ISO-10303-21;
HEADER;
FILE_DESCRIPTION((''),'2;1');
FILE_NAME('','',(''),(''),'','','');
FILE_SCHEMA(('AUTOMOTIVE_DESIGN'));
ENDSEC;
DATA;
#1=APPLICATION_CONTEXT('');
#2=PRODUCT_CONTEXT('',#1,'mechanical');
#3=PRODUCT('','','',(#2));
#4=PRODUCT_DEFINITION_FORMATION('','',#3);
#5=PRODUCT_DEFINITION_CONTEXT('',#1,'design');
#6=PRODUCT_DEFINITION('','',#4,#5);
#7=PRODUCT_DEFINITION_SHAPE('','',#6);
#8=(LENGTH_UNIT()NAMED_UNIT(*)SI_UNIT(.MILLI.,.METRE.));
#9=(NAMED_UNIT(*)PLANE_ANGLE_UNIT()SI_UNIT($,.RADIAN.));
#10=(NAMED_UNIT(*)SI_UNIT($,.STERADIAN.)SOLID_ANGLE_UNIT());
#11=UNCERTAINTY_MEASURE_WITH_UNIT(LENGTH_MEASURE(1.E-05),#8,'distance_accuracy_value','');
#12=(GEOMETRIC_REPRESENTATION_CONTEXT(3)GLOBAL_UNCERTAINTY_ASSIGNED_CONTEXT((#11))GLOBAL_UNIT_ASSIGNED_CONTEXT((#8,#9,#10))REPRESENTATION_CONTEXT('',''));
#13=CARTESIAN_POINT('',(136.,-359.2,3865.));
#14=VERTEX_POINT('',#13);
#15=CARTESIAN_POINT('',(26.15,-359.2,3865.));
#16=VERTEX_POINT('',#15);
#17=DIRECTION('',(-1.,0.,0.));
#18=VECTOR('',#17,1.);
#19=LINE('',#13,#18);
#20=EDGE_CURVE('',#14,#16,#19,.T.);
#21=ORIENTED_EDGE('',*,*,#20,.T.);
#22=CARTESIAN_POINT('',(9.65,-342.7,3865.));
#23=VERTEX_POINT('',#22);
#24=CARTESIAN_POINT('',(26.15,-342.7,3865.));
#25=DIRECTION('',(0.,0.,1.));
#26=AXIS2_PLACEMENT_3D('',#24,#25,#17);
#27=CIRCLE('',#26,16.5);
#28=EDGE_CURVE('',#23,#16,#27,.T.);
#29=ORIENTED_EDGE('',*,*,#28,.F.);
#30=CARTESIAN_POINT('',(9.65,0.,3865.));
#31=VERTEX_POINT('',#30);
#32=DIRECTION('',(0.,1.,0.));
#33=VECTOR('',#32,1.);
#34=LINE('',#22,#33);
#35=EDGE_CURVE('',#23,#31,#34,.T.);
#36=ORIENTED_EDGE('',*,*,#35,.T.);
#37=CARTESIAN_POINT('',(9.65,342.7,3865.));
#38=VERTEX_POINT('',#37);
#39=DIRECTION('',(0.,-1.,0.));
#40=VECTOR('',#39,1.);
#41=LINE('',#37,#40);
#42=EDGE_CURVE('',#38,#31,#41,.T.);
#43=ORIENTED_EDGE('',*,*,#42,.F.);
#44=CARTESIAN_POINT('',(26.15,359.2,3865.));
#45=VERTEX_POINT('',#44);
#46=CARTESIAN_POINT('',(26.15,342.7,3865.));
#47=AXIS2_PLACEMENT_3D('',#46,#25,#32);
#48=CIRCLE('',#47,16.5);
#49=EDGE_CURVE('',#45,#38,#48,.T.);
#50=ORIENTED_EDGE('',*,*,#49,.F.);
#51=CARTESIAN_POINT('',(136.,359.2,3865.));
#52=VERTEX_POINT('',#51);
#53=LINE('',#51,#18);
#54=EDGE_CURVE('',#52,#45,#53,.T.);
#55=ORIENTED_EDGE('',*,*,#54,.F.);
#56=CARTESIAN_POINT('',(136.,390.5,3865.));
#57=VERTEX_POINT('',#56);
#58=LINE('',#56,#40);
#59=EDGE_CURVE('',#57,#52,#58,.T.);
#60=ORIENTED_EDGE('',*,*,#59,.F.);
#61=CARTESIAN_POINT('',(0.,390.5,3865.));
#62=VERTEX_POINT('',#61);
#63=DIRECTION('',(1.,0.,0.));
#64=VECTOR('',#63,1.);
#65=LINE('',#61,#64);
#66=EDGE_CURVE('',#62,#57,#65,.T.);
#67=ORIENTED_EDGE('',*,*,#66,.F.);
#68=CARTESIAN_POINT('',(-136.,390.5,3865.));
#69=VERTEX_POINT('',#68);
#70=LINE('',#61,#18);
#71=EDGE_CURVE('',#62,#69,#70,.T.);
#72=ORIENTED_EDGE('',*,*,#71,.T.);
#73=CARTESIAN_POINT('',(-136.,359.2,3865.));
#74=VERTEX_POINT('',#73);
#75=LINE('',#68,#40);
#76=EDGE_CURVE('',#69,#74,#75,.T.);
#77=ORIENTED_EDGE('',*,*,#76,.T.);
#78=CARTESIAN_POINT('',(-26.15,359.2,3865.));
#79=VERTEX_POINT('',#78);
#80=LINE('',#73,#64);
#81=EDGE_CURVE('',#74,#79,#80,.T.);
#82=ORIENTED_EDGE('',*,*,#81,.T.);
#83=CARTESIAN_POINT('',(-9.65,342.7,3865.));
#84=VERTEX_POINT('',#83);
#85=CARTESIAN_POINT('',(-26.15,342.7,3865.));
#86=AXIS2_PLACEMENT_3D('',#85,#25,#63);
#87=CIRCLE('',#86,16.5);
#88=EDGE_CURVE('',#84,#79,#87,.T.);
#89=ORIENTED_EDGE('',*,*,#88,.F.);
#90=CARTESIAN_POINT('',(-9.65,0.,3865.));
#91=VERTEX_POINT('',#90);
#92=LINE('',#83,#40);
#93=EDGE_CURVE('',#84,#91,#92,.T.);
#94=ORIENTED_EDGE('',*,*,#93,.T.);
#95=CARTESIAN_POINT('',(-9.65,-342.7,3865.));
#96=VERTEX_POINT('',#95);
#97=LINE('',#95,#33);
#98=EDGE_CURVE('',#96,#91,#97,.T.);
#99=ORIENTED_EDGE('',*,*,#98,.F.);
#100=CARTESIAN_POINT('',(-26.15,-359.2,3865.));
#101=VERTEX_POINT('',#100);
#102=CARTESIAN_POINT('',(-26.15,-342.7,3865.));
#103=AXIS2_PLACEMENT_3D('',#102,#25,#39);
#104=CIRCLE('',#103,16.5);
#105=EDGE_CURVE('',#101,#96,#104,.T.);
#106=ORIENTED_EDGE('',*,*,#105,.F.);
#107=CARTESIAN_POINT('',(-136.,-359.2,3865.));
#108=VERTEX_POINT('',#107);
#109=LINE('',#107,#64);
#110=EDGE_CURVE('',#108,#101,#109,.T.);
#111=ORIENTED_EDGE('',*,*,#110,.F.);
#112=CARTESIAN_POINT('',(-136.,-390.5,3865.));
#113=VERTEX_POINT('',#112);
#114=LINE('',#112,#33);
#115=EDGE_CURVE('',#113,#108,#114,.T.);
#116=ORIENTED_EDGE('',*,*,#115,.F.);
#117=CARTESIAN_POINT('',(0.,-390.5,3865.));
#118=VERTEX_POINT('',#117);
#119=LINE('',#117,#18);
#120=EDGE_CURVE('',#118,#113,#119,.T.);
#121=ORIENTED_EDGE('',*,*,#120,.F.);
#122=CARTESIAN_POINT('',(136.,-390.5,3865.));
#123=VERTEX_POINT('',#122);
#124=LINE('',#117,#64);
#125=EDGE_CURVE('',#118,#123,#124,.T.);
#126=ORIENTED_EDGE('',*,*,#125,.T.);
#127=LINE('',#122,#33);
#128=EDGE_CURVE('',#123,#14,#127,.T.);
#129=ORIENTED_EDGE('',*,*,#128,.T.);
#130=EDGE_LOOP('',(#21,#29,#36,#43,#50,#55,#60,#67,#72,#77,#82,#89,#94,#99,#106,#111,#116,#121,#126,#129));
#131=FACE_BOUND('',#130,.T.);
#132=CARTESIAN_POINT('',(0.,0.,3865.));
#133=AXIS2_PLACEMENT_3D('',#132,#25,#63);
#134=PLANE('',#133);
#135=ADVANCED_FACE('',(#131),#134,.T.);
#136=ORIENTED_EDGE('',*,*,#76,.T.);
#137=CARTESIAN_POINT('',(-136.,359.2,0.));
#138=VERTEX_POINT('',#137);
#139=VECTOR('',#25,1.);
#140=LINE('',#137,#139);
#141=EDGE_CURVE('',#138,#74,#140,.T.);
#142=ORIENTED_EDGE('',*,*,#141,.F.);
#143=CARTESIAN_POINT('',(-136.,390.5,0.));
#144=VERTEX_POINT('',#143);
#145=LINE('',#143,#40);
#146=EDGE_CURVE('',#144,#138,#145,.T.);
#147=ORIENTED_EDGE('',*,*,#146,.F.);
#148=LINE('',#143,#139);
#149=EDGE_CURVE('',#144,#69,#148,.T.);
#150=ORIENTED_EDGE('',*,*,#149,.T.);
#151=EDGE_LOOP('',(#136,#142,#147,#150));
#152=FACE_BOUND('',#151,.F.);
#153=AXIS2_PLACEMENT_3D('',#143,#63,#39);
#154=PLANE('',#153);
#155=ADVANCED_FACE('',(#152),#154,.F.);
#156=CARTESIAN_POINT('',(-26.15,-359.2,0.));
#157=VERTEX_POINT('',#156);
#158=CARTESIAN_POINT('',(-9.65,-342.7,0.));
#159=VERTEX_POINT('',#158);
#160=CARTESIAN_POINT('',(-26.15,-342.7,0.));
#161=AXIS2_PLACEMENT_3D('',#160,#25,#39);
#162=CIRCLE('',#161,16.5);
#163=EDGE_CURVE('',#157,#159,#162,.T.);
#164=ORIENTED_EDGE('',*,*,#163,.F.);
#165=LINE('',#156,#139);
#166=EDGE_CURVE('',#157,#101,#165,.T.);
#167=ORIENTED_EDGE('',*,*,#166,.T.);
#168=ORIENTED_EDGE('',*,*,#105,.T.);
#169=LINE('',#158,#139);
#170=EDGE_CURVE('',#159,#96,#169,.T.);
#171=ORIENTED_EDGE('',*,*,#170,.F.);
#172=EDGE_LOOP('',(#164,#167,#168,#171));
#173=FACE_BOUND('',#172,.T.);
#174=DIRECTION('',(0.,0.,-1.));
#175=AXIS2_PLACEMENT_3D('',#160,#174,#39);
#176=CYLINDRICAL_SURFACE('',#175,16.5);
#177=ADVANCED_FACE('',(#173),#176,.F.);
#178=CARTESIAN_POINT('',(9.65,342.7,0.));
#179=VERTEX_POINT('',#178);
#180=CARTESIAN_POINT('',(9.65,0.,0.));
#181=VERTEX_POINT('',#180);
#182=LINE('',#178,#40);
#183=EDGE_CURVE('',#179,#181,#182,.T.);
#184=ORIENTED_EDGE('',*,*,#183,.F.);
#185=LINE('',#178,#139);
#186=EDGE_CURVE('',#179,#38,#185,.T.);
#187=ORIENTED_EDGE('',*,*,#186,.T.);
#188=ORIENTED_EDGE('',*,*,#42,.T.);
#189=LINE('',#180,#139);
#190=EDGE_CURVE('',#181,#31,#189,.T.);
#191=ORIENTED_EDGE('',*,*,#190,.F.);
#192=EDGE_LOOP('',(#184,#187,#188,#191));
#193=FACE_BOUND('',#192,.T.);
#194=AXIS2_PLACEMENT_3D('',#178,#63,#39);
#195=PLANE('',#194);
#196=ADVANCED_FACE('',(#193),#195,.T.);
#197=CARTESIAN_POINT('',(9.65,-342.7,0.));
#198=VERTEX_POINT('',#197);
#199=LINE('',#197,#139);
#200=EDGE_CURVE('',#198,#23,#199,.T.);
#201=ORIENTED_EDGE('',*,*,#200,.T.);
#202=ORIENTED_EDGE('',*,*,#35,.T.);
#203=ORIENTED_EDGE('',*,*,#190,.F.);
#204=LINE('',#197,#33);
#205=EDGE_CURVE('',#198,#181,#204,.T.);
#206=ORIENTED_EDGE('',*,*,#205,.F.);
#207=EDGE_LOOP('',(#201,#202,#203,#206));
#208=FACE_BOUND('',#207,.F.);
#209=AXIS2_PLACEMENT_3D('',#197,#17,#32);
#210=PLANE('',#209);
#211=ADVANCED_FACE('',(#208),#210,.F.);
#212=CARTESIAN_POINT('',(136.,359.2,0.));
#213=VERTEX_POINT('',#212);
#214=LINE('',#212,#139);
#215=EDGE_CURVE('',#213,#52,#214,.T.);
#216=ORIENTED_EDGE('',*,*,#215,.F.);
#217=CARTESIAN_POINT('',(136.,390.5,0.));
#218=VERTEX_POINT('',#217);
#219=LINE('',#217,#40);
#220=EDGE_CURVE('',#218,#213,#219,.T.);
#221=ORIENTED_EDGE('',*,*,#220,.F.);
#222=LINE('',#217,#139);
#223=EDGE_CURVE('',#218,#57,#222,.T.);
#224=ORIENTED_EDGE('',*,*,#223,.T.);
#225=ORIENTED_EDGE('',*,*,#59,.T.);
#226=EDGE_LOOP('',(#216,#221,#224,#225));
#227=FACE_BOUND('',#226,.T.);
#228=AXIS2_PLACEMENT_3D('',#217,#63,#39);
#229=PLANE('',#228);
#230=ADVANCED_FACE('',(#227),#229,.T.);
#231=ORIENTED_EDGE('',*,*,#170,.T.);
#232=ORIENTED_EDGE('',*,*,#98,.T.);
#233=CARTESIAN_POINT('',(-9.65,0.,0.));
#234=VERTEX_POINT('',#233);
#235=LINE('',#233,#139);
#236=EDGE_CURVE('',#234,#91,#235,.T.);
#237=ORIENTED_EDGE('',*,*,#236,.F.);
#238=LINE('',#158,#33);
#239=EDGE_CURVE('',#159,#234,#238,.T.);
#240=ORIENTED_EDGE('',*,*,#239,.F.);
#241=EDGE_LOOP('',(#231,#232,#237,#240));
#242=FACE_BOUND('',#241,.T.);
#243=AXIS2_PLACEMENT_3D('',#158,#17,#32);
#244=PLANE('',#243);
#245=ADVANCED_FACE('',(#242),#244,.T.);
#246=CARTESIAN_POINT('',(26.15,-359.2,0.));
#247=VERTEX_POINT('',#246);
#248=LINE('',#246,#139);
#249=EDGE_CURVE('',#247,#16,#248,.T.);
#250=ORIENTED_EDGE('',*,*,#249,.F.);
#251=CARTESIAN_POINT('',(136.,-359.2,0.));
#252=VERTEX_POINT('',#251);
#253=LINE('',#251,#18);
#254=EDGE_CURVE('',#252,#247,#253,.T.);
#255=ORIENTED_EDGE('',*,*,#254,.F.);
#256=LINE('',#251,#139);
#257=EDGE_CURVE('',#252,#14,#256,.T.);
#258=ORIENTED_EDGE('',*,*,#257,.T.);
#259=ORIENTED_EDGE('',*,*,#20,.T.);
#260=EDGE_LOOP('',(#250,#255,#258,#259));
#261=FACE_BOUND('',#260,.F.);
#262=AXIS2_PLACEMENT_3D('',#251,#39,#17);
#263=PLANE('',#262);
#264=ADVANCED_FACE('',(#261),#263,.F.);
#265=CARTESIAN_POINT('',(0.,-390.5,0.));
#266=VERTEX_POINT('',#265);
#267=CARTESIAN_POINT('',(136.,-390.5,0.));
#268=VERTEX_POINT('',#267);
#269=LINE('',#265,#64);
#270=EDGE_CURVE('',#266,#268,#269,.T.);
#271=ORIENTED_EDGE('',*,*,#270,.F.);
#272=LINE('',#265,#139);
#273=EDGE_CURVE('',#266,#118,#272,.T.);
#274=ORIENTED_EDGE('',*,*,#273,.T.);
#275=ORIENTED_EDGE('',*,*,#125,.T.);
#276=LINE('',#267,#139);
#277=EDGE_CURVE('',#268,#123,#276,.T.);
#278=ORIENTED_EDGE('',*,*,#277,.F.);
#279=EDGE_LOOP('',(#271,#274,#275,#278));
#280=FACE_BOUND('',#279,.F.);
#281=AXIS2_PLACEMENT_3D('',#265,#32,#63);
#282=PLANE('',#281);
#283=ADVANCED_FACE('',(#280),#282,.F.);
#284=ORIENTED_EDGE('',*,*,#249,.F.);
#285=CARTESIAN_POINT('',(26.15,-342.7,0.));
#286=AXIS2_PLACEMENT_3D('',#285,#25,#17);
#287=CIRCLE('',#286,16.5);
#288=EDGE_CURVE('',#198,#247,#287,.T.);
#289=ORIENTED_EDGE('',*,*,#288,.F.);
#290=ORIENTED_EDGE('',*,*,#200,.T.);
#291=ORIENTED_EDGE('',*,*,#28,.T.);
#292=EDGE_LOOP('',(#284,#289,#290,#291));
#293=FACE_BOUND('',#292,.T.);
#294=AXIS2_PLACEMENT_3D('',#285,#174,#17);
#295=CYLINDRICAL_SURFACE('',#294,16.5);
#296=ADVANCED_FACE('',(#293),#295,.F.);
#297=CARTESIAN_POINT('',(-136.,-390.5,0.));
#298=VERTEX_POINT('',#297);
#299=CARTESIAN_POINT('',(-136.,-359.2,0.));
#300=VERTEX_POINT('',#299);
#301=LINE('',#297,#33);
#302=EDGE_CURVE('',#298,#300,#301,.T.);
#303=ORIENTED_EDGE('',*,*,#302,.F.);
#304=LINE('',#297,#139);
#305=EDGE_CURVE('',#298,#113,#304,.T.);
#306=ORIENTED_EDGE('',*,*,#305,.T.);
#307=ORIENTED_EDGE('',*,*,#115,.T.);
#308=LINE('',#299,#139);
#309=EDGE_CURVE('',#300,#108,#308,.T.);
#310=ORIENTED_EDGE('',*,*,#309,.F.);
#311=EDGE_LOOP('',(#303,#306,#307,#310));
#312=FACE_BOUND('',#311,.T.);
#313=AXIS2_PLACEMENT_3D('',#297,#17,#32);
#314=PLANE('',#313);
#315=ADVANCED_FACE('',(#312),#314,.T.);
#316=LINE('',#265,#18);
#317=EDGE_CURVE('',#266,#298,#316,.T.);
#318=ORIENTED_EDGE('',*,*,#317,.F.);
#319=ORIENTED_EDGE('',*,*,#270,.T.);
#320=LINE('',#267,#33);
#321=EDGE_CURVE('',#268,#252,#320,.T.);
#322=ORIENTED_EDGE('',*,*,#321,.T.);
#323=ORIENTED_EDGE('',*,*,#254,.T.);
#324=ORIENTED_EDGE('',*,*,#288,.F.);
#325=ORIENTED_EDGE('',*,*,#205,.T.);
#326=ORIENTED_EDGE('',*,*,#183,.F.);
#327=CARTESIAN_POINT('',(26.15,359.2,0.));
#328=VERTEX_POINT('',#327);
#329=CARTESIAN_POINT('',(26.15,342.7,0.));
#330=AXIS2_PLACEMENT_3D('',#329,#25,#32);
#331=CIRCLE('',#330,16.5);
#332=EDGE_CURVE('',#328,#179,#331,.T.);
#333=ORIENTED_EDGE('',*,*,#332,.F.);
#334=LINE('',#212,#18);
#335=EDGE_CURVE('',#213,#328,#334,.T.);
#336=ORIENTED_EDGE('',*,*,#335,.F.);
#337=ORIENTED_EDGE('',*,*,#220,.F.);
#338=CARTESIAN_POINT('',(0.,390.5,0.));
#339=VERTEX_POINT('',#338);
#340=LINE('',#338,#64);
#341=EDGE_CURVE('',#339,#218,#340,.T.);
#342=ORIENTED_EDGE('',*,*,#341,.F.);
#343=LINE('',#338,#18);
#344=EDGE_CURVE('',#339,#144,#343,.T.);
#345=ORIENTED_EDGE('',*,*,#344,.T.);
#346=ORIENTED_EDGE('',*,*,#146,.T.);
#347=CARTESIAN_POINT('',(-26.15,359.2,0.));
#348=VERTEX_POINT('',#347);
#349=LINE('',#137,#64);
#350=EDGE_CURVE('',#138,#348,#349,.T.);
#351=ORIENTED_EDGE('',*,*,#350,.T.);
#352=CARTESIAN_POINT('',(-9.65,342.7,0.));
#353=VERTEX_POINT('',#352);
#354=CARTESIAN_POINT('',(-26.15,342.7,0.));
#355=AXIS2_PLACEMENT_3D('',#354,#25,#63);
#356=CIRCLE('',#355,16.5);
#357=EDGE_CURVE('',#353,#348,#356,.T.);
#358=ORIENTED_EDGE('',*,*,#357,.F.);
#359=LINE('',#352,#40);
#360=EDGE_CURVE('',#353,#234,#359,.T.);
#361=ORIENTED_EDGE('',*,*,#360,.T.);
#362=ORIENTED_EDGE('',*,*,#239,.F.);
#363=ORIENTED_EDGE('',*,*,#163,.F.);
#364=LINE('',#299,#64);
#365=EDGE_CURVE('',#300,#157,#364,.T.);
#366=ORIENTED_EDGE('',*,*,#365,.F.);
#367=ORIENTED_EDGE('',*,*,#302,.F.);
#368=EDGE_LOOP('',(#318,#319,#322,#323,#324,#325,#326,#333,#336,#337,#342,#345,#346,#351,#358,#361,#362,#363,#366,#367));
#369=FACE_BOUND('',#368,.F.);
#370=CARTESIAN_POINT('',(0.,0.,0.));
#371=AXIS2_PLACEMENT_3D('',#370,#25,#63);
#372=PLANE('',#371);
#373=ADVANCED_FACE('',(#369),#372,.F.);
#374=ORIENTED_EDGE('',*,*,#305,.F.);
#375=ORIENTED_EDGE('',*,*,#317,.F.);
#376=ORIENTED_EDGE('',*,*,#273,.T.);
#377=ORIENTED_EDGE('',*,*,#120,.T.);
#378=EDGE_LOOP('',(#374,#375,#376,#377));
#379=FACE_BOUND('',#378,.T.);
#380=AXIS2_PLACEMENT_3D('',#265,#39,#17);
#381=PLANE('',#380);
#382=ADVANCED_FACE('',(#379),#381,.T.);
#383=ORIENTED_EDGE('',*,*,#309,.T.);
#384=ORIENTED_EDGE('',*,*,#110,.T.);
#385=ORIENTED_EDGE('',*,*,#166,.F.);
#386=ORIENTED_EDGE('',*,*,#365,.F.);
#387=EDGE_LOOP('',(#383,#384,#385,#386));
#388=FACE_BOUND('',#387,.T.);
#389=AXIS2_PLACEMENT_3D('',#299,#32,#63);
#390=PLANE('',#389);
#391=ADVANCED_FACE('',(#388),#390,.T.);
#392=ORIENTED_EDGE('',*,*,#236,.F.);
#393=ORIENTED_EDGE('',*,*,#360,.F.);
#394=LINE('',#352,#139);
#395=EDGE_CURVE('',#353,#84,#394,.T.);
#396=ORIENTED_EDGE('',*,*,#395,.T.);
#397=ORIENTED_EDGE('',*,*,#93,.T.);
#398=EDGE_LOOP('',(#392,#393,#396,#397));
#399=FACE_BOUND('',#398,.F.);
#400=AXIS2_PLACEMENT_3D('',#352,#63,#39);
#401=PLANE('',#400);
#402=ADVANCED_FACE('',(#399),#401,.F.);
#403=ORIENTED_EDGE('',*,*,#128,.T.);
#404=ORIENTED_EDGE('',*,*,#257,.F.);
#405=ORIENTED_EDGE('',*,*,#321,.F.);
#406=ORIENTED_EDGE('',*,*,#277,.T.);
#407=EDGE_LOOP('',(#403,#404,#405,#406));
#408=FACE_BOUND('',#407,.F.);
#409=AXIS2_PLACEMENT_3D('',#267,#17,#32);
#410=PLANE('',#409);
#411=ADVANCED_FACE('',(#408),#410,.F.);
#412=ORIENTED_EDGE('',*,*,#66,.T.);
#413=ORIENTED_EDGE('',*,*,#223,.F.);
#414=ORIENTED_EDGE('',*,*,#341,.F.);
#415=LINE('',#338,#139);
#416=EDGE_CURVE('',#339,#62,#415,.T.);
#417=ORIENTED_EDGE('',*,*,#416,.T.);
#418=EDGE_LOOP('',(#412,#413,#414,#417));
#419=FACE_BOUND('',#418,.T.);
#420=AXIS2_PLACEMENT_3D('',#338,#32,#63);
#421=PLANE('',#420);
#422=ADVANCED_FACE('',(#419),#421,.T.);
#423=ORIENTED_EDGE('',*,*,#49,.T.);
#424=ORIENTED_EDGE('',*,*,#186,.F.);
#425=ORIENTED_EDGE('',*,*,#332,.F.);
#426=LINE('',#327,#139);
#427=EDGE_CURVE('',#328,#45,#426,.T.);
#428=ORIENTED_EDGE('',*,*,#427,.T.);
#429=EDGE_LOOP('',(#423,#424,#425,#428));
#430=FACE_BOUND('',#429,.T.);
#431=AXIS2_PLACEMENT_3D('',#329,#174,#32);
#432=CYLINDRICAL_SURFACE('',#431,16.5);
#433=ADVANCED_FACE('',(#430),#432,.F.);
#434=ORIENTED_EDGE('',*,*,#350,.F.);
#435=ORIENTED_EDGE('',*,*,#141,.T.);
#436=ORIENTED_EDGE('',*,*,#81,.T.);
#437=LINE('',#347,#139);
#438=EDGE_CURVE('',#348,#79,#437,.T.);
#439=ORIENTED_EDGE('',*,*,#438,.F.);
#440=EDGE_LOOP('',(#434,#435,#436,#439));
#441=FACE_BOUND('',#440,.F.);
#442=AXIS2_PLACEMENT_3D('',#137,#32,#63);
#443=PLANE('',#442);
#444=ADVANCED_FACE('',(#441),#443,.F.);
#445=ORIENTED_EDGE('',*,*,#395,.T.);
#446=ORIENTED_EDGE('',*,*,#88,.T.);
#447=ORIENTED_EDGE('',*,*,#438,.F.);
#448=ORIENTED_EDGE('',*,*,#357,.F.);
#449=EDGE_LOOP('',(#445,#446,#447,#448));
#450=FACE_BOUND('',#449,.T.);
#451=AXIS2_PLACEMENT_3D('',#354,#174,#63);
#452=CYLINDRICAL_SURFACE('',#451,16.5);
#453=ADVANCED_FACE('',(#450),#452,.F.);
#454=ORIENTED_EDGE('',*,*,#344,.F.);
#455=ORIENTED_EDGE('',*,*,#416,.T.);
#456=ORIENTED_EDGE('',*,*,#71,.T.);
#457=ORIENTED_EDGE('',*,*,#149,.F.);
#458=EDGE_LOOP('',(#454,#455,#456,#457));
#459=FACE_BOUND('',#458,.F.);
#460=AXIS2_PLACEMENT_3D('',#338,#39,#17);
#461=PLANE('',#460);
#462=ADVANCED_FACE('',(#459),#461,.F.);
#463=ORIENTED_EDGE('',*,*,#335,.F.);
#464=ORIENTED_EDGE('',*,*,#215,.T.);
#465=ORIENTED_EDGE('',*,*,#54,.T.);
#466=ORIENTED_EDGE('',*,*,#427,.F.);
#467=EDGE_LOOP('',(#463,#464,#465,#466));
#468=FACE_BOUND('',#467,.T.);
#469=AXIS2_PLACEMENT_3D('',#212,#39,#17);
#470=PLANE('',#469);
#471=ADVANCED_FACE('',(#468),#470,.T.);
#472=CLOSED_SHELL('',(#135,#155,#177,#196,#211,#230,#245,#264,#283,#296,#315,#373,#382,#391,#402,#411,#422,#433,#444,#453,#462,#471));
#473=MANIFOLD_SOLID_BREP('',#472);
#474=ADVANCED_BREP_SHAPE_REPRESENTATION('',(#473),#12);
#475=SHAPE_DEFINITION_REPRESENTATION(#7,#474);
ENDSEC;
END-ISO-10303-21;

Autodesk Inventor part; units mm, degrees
ref_plane "YZ Plane" through (0, 0, 0) normal (1, 0, 0) x (0, 1, 0)
ref_plane "Start plane" through (0, 0, 0) normal (0, 0, 1) x (1, 0, 0)
ref_plane "End plane" through (0, 0, 3865) normal (0, 0, 1) x (1, 0, 0)
sketch "Sketch" plane through (0, 0, 0) normal (0, 0, 1) x (1, 0, 0)
  line L0 (-136, -390.5) -> (-136, -359.2)
  line L1 (-136, -359.2) -> (-26.15, -359.2)
  line L2 (-9.65, -342.7) -> (-9.65, 0)
  line L3 (-9.65, 0) -> (0, 0) construction
  line L4 (0, 0) -> (0, -390.5) construction
  line L5 (0, -390.5) -> (-136, -390.5)
  line L6 (-60, 0) -> (80, 0) construction
  line L7 (0, -60) -> (0, 80) construction
  line L8 (136, -390.5) -> (136, -359.2)
  line L9 (136, -359.2) -> (26.15, -359.2)
  line L10 (9.65, -342.7) -> (9.65, 0)
  line L11 (9.65, 0) -> (0, 0) construction
  line L12 (0, -390.5) -> (136, -390.5)
  line L13 (-136, 390.5) -> (-136, 359.2)
  line L14 (-136, 359.2) -> (-26.15, 359.2)
  line L15 (-9.65, 342.7) -> (-9.65, 0)
  line L16 (0, 390.5) -> (-136, 390.5)
  line L17 (136, 390.5) -> (136, 359.2)
  line L18 (136, 359.2) -> (26.15, 359.2)
  line L19 (0, 390.5) -> (136, 390.5)
  line L20 (9.65, 342.7) -> (9.65, 0)
  arc A0 (-9.65, 342.7) -> (-26.15, 359.2) centre (-26.15, 342.7) ccw
  arc A1 (26.15, 359.2) -> (9.65, 342.7) centre (26.15, 342.7) ccw
  arc A2 (9.65, -342.7) -> (26.15, -359.2) centre (26.15, -342.7) ccw
  arc A3 (-26.15, -359.2) -> (-9.65, -342.7) centre (-26.15, -342.7) ccw
  line L21 (0, 108) -> (0, -88) construction
  line L22 (-88, 0) -> (108, 0) construction
  point P0 (-9.65, -359.2)
  point P1 (9.65, -359.2)
  point P2 (-9.65, 359.2)
  point P3 (9.65, 359.2)
  dimension "d1" = 390.5
  dimension "d2" = 31.3
  dimension "d3" = 136
  dimension "d4" = 9.65
  dimension "d10" = 16.5
extrude "Body" add sketch "Sketch" along normal up to surface (3865 mm away) from surface at 0
sketch "Sketch4" plane through (0, 0, 0) normal (0, 0, 1) x (1, 0, 0)
  line L0 (0, 0) -> (10, 0)
ref_plane "Work Plane3" through (0, 0, 0) normal (0, -1, 0) x (1, 0, 0)
sketch "Sketch5" plane through (0, 0, 0) normal (0, -1, 0) x (1, 0, 0)
  line L0 (-2, 0) -> (12, 0) projected
  line L1 (-2, 3865) -> (12, 3865) projected
  dimension "d14" = 3865
equation "\"d1\" = 0.5 * G_H"
equation "\"d2\" = G_T1"
equation "\"d3\" = 0.5 * G_W"
equation "\"d4\" = 0.5 * G_T"
equation "\"d10\" = G_IR"
equation "\"d5\" = G_L"
equation "\"G_W\" = 272"
equation "\"G_H\" = 781"
equation "\"G_T\" = 19.3"
equation "\"G_T1\" = 31.3"
equation "\"G_IR\" = 16.5"
equation "\"G_L\" = d14"
equation "\"G_OFFSET_START\" = 0"
equation "\"G_OFFSET_END\" = 0"
equation "\"d12\" = G_OFFSET_END + B_L"
equation "\"B_L\" = 3865"
properties part number "AS 3679-1990 - 760 UB - 244 - 3865" material "Steel, Mild"
